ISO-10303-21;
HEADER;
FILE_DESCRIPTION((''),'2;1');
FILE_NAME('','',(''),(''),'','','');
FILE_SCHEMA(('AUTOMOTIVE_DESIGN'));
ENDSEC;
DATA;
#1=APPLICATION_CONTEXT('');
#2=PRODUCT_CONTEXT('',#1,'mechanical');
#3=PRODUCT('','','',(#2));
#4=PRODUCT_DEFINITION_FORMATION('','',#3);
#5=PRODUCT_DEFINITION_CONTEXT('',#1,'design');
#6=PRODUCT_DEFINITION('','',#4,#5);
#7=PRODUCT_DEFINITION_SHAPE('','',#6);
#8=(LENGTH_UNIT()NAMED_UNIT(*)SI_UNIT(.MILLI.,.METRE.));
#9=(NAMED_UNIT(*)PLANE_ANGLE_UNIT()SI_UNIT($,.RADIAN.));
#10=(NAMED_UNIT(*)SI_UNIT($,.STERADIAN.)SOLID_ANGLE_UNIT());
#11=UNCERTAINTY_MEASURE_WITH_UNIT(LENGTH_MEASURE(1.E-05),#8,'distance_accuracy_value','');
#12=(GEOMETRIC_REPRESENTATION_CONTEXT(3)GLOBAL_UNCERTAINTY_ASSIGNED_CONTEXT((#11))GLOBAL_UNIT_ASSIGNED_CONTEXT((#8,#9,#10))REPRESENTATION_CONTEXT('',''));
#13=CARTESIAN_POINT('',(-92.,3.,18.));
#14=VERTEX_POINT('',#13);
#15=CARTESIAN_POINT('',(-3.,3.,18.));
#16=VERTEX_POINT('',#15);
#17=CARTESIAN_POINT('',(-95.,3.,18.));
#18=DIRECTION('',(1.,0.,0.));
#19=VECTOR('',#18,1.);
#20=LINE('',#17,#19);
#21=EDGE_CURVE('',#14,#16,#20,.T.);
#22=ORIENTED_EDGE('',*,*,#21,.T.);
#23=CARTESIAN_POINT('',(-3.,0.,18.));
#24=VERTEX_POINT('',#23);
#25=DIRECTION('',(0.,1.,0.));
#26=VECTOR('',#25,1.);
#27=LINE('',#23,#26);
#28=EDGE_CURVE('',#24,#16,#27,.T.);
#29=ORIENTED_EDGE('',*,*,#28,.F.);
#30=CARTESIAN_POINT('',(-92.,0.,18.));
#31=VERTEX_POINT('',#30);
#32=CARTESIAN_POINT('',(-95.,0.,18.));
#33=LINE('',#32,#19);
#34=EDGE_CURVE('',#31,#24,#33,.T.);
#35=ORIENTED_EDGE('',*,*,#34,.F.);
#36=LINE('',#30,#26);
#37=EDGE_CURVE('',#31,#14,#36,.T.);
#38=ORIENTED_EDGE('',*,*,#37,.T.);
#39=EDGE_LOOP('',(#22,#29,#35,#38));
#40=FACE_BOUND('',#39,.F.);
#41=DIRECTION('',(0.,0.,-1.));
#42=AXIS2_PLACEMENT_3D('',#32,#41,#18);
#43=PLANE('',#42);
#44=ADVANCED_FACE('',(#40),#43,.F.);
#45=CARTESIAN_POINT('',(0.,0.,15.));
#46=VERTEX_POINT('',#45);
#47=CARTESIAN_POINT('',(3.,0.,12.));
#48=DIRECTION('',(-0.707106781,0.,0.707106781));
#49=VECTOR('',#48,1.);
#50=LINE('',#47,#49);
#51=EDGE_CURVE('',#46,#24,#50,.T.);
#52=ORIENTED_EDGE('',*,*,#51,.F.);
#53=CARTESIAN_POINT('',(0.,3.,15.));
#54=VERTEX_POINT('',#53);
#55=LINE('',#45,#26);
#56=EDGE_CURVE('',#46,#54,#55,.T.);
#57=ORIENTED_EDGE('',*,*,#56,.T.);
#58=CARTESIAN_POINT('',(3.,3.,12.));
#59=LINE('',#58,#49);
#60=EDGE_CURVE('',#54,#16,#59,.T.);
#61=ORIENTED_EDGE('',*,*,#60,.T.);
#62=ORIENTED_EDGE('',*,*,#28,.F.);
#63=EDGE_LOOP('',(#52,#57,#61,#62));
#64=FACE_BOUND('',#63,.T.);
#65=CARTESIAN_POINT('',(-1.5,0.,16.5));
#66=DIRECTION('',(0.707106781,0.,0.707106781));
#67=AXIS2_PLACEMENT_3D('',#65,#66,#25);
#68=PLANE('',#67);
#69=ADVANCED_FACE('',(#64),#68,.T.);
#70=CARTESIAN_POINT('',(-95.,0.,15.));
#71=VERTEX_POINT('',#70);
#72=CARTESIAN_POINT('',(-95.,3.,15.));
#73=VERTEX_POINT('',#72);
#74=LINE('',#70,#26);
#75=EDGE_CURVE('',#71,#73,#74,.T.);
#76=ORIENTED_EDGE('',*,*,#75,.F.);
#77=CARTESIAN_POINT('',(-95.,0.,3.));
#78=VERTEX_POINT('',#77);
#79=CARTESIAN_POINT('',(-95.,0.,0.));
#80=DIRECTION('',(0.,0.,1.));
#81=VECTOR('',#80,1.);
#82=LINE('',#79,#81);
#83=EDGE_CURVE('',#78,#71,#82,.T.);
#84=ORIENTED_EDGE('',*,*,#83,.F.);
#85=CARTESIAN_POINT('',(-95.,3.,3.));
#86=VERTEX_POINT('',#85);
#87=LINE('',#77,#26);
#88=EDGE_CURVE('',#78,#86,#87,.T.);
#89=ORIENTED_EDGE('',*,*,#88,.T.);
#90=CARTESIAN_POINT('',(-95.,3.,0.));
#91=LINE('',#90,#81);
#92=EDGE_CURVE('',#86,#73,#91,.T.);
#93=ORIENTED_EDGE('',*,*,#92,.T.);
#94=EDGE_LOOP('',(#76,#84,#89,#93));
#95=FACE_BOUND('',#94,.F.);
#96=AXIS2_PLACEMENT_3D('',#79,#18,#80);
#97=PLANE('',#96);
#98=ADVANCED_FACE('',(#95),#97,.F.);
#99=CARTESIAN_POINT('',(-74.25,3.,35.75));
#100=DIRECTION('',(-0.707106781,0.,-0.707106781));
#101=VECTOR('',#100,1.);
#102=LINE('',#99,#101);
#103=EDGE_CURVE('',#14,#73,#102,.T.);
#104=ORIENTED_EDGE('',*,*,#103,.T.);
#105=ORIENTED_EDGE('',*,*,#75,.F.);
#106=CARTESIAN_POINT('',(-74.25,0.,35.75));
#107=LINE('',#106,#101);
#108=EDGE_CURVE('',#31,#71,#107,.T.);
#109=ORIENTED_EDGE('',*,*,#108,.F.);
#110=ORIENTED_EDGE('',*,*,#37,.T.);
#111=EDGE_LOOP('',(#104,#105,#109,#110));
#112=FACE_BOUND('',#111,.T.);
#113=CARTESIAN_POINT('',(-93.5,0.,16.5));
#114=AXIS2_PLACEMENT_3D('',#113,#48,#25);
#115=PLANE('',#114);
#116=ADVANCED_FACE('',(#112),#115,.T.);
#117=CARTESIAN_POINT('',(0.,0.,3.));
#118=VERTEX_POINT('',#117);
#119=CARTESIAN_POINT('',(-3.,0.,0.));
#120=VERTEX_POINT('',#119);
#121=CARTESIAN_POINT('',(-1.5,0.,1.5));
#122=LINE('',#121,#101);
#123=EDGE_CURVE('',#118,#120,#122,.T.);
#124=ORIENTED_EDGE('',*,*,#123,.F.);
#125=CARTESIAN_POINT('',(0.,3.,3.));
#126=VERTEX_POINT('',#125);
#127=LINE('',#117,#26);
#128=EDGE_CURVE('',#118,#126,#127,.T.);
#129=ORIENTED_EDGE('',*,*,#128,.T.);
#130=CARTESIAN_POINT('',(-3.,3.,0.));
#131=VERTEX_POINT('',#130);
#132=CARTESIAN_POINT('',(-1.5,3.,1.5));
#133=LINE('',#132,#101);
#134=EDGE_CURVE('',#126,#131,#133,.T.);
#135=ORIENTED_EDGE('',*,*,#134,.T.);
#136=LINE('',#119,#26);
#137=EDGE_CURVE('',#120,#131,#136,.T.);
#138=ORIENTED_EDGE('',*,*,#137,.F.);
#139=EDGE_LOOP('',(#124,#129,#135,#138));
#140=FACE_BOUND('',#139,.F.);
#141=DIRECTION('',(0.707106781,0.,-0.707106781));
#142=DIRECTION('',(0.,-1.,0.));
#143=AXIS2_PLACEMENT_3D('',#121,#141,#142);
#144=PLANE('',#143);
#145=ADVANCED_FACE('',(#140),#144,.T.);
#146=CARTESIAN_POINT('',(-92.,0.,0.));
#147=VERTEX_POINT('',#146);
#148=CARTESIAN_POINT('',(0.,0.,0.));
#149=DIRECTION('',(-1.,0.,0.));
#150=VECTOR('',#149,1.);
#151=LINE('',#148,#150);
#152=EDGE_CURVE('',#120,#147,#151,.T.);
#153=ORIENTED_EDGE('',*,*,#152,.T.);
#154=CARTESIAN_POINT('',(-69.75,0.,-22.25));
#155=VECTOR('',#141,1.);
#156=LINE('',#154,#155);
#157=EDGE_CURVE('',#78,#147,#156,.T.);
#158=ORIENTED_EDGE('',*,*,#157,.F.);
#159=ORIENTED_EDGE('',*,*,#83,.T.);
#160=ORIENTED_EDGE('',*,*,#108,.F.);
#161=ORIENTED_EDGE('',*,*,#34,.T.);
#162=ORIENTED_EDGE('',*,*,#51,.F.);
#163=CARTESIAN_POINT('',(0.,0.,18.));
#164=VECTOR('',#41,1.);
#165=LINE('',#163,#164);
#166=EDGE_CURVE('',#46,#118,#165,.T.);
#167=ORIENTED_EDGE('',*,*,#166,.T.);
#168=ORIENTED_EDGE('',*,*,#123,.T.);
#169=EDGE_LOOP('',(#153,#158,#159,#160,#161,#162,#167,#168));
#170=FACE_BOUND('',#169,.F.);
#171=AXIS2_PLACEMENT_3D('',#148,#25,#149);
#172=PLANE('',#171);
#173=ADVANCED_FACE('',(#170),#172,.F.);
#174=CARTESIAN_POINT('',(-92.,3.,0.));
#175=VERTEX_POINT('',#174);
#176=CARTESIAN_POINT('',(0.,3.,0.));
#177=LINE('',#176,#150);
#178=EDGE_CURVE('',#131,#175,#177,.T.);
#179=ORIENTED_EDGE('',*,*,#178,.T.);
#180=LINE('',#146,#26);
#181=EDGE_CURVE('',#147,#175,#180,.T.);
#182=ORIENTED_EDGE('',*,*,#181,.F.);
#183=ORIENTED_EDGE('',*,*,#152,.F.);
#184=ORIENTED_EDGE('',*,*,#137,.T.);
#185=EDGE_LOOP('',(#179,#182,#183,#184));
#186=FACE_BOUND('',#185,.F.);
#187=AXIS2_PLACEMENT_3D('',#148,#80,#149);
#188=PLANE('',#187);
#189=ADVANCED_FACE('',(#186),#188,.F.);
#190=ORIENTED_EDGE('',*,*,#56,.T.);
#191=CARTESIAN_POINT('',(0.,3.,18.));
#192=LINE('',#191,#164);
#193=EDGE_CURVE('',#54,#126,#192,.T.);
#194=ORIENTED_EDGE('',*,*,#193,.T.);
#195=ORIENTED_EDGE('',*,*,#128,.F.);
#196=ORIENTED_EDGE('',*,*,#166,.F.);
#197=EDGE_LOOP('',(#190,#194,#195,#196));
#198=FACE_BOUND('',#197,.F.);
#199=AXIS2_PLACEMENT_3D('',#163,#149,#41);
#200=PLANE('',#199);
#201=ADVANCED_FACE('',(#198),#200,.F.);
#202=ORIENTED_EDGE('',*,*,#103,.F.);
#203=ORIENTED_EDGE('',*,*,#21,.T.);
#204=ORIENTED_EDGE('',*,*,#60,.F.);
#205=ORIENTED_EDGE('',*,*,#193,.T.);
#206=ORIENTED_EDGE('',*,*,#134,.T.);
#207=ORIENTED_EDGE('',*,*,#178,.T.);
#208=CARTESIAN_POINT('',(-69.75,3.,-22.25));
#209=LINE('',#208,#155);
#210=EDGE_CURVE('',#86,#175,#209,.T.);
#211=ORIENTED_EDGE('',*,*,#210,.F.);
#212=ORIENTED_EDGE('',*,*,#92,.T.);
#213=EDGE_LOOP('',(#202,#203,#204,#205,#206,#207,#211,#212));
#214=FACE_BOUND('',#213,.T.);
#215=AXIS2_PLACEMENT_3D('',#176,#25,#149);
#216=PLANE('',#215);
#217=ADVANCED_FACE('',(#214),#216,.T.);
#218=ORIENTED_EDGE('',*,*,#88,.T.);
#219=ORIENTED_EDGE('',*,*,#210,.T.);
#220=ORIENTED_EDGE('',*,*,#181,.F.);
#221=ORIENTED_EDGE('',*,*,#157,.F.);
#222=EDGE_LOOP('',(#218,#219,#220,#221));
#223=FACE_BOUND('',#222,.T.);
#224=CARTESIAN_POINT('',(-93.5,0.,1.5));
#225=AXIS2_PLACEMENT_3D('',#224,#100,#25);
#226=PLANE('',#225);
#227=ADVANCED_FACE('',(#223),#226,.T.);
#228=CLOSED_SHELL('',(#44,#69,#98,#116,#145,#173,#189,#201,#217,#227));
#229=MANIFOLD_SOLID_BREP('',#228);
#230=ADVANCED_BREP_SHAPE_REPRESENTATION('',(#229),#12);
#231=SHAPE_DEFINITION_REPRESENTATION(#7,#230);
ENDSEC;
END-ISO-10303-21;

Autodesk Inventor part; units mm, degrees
ref_plane "YZ Plane" through (0, 0, 0) normal (1, 0, 0) x (0, 1, 0)
ref_plane "XZ Plane" through (0, 0, 0) normal (0, 1, 0) x (-1, 0, 0)
ref_plane "XY Plane" through (0, 0, 0) normal (0, 0, 1) x (1, 0, 0)
sketch "Esquisse1" plane through (0, 0, 0) normal (0, 1, 0) x (-1, 0, 0)
  line L0 (0, 0) -> (95, 0)
  line L1 (95, 0) -> (95, 18)
  line L2 (95, 18) -> (0, 18)
  line L3 (0, 18) -> (0, 0)
  dimension "d0" = 18
  dimension "d1" = 95
extrude "Extrusion1" add sketch "Esquisse1" along normal blind 3
chamfer "Chanfrein1" distance 3 angle 45 4 edges at (0, 1.5, 18) (0, 1.5, 0) (-95, 1.5, 0) (-95, 1.5, 18)
properties part number "Bras 2"
